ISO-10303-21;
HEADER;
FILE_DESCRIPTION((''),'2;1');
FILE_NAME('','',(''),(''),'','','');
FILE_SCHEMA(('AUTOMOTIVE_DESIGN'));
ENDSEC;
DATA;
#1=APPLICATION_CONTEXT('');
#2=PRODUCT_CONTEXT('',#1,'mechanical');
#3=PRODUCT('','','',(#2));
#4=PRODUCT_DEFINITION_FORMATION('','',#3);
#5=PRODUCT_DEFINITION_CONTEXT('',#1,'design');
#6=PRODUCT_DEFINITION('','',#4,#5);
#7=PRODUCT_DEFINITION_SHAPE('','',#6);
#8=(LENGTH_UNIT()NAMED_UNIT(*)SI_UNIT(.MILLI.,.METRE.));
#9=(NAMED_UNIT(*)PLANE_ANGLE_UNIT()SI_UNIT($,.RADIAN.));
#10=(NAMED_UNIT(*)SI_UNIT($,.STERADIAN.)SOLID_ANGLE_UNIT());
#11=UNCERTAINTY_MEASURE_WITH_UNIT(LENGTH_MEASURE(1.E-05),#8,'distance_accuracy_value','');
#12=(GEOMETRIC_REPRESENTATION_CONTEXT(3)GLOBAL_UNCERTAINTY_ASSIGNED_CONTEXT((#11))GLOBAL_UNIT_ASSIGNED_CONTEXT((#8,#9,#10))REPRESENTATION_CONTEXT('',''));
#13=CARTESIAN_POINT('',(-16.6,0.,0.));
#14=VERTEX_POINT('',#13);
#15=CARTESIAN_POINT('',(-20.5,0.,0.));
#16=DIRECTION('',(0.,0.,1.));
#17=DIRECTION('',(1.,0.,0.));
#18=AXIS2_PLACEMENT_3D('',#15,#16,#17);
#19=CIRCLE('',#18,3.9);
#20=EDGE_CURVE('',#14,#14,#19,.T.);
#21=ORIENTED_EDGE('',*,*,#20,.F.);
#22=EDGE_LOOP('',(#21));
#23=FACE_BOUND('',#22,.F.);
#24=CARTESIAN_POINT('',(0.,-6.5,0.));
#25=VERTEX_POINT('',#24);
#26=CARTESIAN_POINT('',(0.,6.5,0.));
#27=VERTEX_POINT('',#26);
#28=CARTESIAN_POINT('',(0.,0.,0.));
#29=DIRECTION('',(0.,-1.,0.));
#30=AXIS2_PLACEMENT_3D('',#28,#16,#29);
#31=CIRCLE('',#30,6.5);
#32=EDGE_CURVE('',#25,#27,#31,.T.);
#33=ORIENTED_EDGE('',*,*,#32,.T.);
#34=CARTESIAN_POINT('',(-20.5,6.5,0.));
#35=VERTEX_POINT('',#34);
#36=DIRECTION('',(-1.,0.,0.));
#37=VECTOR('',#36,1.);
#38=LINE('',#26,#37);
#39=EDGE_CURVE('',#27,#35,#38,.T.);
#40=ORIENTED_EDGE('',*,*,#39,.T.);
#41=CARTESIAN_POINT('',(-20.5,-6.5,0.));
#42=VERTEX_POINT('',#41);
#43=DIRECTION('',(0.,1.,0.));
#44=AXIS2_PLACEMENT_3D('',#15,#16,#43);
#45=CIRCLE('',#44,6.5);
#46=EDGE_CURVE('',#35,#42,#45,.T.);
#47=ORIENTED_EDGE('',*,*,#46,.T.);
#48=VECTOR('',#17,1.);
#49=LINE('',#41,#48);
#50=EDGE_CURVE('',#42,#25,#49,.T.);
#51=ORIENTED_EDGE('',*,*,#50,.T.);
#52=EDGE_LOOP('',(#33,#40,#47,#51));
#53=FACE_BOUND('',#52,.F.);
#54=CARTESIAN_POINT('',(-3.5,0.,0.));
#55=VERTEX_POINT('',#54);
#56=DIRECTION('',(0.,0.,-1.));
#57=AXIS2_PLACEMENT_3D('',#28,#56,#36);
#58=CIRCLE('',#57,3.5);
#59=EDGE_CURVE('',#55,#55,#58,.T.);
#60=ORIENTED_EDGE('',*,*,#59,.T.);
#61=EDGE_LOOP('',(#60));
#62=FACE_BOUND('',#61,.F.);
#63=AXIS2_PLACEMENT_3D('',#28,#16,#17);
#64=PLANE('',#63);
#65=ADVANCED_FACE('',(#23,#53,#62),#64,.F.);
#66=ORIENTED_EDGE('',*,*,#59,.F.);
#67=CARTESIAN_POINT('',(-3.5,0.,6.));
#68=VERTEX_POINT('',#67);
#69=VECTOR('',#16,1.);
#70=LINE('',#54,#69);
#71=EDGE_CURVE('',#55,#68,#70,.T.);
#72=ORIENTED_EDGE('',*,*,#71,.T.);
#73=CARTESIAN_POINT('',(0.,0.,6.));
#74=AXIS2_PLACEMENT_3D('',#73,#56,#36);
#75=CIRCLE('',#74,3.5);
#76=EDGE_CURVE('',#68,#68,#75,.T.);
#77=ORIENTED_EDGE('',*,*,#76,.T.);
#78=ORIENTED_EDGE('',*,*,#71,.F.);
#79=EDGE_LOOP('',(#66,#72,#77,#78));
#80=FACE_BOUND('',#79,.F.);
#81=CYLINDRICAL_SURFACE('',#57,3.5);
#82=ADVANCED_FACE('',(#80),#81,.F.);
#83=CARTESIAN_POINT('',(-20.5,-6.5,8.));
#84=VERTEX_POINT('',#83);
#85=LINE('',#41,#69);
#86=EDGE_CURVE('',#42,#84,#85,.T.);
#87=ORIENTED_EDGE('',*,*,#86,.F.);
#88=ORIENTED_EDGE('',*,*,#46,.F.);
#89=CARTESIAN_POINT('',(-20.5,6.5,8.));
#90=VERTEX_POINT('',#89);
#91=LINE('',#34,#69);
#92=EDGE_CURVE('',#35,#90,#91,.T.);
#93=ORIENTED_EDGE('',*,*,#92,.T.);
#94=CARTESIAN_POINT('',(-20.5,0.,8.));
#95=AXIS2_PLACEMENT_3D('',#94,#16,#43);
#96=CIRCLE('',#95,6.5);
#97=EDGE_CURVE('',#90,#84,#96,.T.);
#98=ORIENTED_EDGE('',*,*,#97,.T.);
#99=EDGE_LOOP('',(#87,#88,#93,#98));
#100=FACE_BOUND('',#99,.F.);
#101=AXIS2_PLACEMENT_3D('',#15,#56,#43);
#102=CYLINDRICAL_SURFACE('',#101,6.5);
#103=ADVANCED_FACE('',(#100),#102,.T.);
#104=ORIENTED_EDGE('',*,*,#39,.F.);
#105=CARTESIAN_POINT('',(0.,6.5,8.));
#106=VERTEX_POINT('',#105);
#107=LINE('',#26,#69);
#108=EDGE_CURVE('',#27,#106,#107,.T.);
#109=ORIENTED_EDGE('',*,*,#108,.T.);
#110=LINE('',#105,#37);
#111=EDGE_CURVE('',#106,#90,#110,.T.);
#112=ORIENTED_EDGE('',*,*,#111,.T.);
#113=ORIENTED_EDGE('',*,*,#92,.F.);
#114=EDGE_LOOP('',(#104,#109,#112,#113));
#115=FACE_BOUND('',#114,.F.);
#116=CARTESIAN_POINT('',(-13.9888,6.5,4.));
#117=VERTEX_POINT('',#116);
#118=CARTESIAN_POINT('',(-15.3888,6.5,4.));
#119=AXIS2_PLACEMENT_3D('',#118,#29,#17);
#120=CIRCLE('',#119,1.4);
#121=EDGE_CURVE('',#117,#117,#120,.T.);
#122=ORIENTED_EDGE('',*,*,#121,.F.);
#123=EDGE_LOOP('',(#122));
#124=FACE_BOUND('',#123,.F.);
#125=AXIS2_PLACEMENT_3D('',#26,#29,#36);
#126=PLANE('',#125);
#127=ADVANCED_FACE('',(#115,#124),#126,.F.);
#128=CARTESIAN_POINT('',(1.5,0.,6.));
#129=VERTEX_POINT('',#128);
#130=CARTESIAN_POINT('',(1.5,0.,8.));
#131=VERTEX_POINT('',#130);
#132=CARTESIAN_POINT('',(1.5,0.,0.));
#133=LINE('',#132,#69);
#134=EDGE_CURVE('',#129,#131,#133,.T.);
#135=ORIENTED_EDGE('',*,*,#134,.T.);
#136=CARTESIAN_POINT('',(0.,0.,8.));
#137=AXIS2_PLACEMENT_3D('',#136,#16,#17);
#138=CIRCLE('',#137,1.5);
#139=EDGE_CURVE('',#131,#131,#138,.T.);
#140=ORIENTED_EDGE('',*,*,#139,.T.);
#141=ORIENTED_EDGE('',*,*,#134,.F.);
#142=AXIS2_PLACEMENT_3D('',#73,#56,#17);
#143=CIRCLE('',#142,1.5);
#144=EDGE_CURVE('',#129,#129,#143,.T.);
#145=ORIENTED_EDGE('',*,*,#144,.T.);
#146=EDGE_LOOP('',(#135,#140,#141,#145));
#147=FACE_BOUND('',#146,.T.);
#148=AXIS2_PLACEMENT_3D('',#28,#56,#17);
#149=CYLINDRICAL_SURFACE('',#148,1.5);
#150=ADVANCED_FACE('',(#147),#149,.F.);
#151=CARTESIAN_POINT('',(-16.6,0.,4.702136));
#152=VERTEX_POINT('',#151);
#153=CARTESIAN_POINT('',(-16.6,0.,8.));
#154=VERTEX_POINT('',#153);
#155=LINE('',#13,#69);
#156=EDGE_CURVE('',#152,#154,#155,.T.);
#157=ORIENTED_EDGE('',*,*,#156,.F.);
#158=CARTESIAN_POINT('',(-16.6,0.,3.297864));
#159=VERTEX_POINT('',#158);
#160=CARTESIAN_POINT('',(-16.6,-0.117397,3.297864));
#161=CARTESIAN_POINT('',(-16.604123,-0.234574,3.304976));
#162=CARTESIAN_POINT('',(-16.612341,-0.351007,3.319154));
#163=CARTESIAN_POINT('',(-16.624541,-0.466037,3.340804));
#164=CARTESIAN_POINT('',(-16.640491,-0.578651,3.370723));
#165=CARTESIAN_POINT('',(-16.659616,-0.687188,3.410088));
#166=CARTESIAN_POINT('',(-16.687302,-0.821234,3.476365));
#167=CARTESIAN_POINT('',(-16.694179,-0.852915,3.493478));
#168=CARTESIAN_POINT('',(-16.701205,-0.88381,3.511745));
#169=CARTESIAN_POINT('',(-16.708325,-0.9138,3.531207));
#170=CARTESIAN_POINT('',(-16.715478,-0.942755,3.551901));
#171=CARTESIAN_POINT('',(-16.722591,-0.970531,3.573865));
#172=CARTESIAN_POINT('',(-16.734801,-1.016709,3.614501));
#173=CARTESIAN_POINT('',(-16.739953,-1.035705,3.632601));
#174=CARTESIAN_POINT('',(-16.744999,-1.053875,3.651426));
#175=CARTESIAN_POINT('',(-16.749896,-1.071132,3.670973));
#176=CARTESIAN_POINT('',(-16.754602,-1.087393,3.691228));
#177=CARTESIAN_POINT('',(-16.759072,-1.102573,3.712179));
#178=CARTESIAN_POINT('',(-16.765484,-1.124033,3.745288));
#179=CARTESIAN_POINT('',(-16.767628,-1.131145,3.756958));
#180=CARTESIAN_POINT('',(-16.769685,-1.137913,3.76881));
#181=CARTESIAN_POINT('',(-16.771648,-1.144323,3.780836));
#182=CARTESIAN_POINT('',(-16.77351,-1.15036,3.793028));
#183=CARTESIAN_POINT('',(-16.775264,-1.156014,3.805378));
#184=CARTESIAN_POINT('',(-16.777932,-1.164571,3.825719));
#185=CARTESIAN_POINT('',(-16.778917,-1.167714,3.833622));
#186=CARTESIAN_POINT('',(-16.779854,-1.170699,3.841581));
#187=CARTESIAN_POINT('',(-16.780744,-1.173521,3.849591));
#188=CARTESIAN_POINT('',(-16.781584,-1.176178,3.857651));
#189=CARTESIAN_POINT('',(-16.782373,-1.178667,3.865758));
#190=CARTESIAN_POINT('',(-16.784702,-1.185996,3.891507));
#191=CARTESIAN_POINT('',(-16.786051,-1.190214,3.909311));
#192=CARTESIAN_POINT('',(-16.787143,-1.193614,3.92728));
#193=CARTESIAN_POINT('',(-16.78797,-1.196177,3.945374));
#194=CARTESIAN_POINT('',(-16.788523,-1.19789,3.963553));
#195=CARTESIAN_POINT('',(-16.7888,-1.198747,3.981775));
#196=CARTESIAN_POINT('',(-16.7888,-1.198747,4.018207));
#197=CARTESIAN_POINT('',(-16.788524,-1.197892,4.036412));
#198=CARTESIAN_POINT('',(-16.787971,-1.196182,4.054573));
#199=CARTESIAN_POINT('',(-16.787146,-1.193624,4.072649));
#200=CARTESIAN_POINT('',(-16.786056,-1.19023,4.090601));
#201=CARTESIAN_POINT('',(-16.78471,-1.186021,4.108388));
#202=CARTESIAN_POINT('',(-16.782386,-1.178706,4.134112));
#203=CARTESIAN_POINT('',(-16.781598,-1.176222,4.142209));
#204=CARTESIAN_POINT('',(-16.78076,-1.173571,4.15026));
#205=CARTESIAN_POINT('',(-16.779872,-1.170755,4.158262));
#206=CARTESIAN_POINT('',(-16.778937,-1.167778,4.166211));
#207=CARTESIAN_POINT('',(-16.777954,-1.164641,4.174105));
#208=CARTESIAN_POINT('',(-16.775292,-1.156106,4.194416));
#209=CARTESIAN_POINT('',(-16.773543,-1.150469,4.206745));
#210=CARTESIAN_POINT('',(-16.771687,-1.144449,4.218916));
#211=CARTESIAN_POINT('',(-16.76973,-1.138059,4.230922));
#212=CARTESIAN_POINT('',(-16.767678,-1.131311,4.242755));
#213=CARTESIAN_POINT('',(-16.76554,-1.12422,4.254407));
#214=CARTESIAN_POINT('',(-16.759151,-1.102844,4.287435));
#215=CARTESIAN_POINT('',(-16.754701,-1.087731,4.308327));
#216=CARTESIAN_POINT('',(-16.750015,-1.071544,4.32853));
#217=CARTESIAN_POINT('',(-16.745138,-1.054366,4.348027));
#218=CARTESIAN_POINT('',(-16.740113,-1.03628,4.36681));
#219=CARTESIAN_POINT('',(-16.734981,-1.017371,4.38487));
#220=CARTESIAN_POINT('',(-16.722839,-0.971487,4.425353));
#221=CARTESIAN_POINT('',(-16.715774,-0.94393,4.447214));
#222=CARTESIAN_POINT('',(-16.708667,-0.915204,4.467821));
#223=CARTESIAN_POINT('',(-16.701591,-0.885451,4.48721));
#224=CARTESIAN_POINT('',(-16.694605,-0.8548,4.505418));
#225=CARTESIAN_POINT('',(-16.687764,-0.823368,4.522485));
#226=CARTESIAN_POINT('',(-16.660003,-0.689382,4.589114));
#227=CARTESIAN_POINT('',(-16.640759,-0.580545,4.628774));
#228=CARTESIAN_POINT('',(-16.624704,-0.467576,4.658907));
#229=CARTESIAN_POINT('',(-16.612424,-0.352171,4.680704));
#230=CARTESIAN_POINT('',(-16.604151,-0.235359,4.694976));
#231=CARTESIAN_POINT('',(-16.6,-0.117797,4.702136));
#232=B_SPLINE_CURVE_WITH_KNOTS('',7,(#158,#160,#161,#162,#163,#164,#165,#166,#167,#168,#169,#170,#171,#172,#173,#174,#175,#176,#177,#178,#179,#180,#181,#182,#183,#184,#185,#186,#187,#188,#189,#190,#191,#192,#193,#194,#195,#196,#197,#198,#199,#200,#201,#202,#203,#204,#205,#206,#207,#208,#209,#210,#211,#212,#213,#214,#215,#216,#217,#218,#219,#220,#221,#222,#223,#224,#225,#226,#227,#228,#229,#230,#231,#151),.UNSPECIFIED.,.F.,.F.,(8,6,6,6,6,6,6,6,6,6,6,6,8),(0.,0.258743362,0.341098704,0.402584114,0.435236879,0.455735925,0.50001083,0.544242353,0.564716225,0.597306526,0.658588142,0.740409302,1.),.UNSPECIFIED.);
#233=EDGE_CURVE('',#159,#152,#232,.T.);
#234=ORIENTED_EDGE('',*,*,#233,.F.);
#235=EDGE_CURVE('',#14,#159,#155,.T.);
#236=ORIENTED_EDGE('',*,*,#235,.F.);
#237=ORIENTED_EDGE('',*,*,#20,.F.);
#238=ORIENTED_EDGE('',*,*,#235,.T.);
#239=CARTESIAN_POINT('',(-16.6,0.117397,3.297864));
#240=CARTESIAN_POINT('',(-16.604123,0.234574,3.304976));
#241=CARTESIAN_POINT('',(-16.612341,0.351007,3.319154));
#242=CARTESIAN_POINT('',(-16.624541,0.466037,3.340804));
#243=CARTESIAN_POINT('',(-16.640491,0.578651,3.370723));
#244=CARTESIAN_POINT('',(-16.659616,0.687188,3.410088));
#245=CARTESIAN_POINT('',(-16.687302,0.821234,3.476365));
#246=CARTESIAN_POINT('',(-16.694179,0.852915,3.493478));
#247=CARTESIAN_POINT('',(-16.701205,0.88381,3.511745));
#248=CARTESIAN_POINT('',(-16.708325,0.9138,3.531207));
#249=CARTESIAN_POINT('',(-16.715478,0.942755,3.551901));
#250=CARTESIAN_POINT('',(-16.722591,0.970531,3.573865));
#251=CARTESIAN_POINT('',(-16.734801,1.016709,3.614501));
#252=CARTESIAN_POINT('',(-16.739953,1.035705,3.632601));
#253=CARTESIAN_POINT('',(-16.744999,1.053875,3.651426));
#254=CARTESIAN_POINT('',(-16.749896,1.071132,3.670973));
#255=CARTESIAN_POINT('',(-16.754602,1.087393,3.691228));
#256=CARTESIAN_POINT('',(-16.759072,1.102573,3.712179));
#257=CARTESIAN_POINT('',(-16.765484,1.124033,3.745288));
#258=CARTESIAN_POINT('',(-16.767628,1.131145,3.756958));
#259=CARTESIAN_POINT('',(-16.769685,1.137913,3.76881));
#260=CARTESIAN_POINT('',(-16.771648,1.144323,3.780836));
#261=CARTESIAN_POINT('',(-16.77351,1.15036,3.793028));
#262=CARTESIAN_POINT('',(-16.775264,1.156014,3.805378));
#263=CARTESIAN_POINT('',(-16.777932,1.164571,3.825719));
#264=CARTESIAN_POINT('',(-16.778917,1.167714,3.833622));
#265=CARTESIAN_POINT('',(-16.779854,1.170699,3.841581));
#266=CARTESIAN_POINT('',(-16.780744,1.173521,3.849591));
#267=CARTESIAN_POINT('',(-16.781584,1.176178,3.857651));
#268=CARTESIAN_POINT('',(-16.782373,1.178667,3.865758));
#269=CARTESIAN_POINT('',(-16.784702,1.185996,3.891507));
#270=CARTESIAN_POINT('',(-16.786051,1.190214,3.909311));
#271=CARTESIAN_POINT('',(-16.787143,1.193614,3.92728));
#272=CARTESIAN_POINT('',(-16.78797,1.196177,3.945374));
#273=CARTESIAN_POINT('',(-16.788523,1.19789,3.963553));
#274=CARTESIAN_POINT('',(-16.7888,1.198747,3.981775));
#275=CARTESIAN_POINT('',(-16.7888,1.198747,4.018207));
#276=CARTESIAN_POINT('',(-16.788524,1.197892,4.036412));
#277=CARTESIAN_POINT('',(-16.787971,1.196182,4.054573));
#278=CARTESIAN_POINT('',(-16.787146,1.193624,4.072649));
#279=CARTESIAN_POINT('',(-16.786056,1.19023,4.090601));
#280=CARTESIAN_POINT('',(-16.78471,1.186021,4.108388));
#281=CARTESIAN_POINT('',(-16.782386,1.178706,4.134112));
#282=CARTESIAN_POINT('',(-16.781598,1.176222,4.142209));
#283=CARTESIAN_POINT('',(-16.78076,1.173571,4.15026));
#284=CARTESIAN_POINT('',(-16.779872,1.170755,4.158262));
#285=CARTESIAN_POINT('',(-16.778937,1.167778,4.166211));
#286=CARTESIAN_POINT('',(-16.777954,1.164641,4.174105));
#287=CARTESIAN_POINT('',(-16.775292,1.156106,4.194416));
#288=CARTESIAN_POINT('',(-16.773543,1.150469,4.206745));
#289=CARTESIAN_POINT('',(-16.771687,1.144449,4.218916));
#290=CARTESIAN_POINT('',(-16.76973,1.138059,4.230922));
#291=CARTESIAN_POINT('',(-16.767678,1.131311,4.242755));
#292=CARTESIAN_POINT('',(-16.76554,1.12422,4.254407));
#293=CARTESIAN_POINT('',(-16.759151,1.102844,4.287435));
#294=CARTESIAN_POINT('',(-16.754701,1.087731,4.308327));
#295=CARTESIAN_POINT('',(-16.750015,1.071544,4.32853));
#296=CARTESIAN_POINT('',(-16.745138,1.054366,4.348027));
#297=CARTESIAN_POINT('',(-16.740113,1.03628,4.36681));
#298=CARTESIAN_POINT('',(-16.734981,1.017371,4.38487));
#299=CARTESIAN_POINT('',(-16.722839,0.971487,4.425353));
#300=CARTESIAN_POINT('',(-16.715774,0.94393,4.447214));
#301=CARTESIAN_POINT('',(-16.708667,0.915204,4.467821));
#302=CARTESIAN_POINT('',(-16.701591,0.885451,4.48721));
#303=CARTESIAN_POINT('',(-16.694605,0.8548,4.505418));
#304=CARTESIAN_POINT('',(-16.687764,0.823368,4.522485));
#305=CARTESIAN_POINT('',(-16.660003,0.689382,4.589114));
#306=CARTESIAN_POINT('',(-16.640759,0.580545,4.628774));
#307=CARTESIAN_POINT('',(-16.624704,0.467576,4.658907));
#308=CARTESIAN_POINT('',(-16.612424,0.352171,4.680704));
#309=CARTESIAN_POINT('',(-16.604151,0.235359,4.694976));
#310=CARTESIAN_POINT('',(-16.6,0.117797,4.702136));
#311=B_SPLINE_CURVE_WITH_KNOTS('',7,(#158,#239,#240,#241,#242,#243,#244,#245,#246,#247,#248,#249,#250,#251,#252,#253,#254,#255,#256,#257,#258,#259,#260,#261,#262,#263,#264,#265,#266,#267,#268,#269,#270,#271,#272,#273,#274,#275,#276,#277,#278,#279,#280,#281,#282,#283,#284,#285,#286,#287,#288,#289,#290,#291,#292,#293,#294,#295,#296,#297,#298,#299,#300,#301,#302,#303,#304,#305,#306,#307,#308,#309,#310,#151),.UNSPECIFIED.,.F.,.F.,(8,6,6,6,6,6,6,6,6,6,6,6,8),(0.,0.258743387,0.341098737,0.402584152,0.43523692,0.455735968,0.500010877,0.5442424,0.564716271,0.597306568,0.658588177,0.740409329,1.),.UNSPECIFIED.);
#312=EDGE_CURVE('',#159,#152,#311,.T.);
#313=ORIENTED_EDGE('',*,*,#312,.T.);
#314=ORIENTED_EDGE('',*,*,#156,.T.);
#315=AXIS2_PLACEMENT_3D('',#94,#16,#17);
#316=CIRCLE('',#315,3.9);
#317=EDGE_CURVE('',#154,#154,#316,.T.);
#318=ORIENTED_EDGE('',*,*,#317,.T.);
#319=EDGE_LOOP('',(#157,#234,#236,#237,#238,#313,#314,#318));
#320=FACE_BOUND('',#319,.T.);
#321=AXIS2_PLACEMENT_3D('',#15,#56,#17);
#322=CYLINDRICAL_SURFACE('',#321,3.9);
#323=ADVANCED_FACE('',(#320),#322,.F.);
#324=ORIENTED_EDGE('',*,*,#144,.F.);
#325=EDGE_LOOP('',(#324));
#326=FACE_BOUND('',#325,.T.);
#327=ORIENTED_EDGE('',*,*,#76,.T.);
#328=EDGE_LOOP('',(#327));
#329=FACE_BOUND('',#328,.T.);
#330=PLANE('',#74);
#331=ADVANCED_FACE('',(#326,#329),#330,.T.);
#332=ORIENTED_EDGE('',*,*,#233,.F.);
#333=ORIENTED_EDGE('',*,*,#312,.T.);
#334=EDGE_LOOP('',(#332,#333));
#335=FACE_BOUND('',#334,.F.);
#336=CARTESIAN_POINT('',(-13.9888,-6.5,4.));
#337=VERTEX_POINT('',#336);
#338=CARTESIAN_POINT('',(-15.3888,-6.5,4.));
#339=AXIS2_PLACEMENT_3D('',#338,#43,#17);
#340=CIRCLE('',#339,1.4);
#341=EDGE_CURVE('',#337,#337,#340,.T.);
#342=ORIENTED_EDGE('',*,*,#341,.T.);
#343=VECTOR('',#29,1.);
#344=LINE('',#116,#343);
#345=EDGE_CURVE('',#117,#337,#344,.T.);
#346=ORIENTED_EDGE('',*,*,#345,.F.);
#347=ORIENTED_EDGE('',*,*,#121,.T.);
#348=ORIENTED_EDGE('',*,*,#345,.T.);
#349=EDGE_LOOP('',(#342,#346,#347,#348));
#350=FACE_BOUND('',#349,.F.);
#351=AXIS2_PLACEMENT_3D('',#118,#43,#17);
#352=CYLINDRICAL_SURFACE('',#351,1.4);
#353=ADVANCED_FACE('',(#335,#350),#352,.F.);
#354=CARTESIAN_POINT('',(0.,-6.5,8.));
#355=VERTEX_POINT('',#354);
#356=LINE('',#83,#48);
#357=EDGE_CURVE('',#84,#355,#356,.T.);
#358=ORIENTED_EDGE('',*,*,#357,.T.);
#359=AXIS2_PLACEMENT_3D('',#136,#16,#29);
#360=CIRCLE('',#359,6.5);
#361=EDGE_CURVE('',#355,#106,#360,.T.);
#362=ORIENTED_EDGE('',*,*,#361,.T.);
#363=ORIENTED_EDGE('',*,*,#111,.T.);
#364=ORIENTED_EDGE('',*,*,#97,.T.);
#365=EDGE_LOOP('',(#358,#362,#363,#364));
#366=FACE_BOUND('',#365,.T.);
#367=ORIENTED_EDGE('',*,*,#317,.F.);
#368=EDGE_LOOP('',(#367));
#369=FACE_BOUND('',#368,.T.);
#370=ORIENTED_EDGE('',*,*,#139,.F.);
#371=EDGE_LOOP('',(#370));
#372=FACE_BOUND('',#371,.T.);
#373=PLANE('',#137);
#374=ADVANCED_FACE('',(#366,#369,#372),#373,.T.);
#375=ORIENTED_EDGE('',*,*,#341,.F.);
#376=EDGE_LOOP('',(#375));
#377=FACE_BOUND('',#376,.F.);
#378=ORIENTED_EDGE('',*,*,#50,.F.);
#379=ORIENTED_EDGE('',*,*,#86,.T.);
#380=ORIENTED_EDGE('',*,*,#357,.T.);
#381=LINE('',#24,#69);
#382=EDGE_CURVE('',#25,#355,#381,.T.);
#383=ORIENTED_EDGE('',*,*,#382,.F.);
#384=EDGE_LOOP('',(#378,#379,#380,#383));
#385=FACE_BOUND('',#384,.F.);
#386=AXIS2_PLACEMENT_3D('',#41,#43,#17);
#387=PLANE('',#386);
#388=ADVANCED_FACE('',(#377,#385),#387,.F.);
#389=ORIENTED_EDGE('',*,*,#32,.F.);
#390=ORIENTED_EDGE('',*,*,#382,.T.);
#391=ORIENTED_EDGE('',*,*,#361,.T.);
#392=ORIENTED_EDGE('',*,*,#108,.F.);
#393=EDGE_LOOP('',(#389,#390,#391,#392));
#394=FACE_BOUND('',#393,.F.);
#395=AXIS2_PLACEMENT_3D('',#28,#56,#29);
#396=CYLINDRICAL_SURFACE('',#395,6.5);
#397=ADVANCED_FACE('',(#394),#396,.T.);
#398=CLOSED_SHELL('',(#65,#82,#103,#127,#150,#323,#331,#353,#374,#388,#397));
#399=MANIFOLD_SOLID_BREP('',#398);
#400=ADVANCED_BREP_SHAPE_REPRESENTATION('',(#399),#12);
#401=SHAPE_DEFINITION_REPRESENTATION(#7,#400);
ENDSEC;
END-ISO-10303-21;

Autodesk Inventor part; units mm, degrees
ref_plane "YZ Plane" through (0, 0, 0) normal (1, 0, 0) x (0, 1, 0)
ref_plane "XZ Plane" through (0, 0, 0) normal (0, 1, 0) x (-1, 0, 0)
ref_plane "XY Plane" through (0, 0, 0) normal (0, 0, 1) x (1, 0, 0)
sketch "Skizze1" plane through (0, 0, 0) normal (0, 0, 1) x (1, 0, 0)
  circle A0 centre (0, 0) radius 1.5
  circle A1 centre (-20.5, 0) radius 1.8 projected
  circle A2 centre (-20.5, 0) radius 3.9
  line L0 (0, 0) -> (-20.5, 0) construction
  line L1 (0, 6.5) -> (-20.5, 6.5)
  line L2 (-20.5, -6.5) -> (0, -6.5)
  arc A3 (0, -6.5) -> (0, 6.5) centre (0, 0) ccw
  arc A4 (-20.5, 6.5) -> (-20.5, -6.5) centre (-20.5, 0) ccw
  point P0 (-10.25, 0)
  dimension "d0" = 3
  dimension "d1" = 7.8
  dimension "d2" = 13
extrude "Extrusion1" add sketch "Skizze1" along normal blind 8 contours A3 L2 A4 L1
sketch "Skizze2" plane through (0, 0, 0) normal (0, 0, -1) x (-1, 0, 0)
  circle A0 centre (0, 0) radius 1.5 projected
  circle A1 centre (0, 0) radius 3.5
  dimension "d5" = 7
extrude "Extrusion2" cut sketch "Skizze2" against normal blind 6 contours A0 | A1
sketch "Skizze3" plane through (-20.5, 6.5, 0) normal (0, 1, 0) x (1, 0, 0)
  line L0 (3.9, -8) -> (3.9, 0) projected
  circle A0 centre (5.1112, -4) radius 1.4
  point P0 (20.5, 0)
  dimension "d8" = 2.8
extrude "Extrusion3" cut sketch "Skizze3" against normal through all
properties part number "Holisheet_NEMA8_Syringe_pusher"
